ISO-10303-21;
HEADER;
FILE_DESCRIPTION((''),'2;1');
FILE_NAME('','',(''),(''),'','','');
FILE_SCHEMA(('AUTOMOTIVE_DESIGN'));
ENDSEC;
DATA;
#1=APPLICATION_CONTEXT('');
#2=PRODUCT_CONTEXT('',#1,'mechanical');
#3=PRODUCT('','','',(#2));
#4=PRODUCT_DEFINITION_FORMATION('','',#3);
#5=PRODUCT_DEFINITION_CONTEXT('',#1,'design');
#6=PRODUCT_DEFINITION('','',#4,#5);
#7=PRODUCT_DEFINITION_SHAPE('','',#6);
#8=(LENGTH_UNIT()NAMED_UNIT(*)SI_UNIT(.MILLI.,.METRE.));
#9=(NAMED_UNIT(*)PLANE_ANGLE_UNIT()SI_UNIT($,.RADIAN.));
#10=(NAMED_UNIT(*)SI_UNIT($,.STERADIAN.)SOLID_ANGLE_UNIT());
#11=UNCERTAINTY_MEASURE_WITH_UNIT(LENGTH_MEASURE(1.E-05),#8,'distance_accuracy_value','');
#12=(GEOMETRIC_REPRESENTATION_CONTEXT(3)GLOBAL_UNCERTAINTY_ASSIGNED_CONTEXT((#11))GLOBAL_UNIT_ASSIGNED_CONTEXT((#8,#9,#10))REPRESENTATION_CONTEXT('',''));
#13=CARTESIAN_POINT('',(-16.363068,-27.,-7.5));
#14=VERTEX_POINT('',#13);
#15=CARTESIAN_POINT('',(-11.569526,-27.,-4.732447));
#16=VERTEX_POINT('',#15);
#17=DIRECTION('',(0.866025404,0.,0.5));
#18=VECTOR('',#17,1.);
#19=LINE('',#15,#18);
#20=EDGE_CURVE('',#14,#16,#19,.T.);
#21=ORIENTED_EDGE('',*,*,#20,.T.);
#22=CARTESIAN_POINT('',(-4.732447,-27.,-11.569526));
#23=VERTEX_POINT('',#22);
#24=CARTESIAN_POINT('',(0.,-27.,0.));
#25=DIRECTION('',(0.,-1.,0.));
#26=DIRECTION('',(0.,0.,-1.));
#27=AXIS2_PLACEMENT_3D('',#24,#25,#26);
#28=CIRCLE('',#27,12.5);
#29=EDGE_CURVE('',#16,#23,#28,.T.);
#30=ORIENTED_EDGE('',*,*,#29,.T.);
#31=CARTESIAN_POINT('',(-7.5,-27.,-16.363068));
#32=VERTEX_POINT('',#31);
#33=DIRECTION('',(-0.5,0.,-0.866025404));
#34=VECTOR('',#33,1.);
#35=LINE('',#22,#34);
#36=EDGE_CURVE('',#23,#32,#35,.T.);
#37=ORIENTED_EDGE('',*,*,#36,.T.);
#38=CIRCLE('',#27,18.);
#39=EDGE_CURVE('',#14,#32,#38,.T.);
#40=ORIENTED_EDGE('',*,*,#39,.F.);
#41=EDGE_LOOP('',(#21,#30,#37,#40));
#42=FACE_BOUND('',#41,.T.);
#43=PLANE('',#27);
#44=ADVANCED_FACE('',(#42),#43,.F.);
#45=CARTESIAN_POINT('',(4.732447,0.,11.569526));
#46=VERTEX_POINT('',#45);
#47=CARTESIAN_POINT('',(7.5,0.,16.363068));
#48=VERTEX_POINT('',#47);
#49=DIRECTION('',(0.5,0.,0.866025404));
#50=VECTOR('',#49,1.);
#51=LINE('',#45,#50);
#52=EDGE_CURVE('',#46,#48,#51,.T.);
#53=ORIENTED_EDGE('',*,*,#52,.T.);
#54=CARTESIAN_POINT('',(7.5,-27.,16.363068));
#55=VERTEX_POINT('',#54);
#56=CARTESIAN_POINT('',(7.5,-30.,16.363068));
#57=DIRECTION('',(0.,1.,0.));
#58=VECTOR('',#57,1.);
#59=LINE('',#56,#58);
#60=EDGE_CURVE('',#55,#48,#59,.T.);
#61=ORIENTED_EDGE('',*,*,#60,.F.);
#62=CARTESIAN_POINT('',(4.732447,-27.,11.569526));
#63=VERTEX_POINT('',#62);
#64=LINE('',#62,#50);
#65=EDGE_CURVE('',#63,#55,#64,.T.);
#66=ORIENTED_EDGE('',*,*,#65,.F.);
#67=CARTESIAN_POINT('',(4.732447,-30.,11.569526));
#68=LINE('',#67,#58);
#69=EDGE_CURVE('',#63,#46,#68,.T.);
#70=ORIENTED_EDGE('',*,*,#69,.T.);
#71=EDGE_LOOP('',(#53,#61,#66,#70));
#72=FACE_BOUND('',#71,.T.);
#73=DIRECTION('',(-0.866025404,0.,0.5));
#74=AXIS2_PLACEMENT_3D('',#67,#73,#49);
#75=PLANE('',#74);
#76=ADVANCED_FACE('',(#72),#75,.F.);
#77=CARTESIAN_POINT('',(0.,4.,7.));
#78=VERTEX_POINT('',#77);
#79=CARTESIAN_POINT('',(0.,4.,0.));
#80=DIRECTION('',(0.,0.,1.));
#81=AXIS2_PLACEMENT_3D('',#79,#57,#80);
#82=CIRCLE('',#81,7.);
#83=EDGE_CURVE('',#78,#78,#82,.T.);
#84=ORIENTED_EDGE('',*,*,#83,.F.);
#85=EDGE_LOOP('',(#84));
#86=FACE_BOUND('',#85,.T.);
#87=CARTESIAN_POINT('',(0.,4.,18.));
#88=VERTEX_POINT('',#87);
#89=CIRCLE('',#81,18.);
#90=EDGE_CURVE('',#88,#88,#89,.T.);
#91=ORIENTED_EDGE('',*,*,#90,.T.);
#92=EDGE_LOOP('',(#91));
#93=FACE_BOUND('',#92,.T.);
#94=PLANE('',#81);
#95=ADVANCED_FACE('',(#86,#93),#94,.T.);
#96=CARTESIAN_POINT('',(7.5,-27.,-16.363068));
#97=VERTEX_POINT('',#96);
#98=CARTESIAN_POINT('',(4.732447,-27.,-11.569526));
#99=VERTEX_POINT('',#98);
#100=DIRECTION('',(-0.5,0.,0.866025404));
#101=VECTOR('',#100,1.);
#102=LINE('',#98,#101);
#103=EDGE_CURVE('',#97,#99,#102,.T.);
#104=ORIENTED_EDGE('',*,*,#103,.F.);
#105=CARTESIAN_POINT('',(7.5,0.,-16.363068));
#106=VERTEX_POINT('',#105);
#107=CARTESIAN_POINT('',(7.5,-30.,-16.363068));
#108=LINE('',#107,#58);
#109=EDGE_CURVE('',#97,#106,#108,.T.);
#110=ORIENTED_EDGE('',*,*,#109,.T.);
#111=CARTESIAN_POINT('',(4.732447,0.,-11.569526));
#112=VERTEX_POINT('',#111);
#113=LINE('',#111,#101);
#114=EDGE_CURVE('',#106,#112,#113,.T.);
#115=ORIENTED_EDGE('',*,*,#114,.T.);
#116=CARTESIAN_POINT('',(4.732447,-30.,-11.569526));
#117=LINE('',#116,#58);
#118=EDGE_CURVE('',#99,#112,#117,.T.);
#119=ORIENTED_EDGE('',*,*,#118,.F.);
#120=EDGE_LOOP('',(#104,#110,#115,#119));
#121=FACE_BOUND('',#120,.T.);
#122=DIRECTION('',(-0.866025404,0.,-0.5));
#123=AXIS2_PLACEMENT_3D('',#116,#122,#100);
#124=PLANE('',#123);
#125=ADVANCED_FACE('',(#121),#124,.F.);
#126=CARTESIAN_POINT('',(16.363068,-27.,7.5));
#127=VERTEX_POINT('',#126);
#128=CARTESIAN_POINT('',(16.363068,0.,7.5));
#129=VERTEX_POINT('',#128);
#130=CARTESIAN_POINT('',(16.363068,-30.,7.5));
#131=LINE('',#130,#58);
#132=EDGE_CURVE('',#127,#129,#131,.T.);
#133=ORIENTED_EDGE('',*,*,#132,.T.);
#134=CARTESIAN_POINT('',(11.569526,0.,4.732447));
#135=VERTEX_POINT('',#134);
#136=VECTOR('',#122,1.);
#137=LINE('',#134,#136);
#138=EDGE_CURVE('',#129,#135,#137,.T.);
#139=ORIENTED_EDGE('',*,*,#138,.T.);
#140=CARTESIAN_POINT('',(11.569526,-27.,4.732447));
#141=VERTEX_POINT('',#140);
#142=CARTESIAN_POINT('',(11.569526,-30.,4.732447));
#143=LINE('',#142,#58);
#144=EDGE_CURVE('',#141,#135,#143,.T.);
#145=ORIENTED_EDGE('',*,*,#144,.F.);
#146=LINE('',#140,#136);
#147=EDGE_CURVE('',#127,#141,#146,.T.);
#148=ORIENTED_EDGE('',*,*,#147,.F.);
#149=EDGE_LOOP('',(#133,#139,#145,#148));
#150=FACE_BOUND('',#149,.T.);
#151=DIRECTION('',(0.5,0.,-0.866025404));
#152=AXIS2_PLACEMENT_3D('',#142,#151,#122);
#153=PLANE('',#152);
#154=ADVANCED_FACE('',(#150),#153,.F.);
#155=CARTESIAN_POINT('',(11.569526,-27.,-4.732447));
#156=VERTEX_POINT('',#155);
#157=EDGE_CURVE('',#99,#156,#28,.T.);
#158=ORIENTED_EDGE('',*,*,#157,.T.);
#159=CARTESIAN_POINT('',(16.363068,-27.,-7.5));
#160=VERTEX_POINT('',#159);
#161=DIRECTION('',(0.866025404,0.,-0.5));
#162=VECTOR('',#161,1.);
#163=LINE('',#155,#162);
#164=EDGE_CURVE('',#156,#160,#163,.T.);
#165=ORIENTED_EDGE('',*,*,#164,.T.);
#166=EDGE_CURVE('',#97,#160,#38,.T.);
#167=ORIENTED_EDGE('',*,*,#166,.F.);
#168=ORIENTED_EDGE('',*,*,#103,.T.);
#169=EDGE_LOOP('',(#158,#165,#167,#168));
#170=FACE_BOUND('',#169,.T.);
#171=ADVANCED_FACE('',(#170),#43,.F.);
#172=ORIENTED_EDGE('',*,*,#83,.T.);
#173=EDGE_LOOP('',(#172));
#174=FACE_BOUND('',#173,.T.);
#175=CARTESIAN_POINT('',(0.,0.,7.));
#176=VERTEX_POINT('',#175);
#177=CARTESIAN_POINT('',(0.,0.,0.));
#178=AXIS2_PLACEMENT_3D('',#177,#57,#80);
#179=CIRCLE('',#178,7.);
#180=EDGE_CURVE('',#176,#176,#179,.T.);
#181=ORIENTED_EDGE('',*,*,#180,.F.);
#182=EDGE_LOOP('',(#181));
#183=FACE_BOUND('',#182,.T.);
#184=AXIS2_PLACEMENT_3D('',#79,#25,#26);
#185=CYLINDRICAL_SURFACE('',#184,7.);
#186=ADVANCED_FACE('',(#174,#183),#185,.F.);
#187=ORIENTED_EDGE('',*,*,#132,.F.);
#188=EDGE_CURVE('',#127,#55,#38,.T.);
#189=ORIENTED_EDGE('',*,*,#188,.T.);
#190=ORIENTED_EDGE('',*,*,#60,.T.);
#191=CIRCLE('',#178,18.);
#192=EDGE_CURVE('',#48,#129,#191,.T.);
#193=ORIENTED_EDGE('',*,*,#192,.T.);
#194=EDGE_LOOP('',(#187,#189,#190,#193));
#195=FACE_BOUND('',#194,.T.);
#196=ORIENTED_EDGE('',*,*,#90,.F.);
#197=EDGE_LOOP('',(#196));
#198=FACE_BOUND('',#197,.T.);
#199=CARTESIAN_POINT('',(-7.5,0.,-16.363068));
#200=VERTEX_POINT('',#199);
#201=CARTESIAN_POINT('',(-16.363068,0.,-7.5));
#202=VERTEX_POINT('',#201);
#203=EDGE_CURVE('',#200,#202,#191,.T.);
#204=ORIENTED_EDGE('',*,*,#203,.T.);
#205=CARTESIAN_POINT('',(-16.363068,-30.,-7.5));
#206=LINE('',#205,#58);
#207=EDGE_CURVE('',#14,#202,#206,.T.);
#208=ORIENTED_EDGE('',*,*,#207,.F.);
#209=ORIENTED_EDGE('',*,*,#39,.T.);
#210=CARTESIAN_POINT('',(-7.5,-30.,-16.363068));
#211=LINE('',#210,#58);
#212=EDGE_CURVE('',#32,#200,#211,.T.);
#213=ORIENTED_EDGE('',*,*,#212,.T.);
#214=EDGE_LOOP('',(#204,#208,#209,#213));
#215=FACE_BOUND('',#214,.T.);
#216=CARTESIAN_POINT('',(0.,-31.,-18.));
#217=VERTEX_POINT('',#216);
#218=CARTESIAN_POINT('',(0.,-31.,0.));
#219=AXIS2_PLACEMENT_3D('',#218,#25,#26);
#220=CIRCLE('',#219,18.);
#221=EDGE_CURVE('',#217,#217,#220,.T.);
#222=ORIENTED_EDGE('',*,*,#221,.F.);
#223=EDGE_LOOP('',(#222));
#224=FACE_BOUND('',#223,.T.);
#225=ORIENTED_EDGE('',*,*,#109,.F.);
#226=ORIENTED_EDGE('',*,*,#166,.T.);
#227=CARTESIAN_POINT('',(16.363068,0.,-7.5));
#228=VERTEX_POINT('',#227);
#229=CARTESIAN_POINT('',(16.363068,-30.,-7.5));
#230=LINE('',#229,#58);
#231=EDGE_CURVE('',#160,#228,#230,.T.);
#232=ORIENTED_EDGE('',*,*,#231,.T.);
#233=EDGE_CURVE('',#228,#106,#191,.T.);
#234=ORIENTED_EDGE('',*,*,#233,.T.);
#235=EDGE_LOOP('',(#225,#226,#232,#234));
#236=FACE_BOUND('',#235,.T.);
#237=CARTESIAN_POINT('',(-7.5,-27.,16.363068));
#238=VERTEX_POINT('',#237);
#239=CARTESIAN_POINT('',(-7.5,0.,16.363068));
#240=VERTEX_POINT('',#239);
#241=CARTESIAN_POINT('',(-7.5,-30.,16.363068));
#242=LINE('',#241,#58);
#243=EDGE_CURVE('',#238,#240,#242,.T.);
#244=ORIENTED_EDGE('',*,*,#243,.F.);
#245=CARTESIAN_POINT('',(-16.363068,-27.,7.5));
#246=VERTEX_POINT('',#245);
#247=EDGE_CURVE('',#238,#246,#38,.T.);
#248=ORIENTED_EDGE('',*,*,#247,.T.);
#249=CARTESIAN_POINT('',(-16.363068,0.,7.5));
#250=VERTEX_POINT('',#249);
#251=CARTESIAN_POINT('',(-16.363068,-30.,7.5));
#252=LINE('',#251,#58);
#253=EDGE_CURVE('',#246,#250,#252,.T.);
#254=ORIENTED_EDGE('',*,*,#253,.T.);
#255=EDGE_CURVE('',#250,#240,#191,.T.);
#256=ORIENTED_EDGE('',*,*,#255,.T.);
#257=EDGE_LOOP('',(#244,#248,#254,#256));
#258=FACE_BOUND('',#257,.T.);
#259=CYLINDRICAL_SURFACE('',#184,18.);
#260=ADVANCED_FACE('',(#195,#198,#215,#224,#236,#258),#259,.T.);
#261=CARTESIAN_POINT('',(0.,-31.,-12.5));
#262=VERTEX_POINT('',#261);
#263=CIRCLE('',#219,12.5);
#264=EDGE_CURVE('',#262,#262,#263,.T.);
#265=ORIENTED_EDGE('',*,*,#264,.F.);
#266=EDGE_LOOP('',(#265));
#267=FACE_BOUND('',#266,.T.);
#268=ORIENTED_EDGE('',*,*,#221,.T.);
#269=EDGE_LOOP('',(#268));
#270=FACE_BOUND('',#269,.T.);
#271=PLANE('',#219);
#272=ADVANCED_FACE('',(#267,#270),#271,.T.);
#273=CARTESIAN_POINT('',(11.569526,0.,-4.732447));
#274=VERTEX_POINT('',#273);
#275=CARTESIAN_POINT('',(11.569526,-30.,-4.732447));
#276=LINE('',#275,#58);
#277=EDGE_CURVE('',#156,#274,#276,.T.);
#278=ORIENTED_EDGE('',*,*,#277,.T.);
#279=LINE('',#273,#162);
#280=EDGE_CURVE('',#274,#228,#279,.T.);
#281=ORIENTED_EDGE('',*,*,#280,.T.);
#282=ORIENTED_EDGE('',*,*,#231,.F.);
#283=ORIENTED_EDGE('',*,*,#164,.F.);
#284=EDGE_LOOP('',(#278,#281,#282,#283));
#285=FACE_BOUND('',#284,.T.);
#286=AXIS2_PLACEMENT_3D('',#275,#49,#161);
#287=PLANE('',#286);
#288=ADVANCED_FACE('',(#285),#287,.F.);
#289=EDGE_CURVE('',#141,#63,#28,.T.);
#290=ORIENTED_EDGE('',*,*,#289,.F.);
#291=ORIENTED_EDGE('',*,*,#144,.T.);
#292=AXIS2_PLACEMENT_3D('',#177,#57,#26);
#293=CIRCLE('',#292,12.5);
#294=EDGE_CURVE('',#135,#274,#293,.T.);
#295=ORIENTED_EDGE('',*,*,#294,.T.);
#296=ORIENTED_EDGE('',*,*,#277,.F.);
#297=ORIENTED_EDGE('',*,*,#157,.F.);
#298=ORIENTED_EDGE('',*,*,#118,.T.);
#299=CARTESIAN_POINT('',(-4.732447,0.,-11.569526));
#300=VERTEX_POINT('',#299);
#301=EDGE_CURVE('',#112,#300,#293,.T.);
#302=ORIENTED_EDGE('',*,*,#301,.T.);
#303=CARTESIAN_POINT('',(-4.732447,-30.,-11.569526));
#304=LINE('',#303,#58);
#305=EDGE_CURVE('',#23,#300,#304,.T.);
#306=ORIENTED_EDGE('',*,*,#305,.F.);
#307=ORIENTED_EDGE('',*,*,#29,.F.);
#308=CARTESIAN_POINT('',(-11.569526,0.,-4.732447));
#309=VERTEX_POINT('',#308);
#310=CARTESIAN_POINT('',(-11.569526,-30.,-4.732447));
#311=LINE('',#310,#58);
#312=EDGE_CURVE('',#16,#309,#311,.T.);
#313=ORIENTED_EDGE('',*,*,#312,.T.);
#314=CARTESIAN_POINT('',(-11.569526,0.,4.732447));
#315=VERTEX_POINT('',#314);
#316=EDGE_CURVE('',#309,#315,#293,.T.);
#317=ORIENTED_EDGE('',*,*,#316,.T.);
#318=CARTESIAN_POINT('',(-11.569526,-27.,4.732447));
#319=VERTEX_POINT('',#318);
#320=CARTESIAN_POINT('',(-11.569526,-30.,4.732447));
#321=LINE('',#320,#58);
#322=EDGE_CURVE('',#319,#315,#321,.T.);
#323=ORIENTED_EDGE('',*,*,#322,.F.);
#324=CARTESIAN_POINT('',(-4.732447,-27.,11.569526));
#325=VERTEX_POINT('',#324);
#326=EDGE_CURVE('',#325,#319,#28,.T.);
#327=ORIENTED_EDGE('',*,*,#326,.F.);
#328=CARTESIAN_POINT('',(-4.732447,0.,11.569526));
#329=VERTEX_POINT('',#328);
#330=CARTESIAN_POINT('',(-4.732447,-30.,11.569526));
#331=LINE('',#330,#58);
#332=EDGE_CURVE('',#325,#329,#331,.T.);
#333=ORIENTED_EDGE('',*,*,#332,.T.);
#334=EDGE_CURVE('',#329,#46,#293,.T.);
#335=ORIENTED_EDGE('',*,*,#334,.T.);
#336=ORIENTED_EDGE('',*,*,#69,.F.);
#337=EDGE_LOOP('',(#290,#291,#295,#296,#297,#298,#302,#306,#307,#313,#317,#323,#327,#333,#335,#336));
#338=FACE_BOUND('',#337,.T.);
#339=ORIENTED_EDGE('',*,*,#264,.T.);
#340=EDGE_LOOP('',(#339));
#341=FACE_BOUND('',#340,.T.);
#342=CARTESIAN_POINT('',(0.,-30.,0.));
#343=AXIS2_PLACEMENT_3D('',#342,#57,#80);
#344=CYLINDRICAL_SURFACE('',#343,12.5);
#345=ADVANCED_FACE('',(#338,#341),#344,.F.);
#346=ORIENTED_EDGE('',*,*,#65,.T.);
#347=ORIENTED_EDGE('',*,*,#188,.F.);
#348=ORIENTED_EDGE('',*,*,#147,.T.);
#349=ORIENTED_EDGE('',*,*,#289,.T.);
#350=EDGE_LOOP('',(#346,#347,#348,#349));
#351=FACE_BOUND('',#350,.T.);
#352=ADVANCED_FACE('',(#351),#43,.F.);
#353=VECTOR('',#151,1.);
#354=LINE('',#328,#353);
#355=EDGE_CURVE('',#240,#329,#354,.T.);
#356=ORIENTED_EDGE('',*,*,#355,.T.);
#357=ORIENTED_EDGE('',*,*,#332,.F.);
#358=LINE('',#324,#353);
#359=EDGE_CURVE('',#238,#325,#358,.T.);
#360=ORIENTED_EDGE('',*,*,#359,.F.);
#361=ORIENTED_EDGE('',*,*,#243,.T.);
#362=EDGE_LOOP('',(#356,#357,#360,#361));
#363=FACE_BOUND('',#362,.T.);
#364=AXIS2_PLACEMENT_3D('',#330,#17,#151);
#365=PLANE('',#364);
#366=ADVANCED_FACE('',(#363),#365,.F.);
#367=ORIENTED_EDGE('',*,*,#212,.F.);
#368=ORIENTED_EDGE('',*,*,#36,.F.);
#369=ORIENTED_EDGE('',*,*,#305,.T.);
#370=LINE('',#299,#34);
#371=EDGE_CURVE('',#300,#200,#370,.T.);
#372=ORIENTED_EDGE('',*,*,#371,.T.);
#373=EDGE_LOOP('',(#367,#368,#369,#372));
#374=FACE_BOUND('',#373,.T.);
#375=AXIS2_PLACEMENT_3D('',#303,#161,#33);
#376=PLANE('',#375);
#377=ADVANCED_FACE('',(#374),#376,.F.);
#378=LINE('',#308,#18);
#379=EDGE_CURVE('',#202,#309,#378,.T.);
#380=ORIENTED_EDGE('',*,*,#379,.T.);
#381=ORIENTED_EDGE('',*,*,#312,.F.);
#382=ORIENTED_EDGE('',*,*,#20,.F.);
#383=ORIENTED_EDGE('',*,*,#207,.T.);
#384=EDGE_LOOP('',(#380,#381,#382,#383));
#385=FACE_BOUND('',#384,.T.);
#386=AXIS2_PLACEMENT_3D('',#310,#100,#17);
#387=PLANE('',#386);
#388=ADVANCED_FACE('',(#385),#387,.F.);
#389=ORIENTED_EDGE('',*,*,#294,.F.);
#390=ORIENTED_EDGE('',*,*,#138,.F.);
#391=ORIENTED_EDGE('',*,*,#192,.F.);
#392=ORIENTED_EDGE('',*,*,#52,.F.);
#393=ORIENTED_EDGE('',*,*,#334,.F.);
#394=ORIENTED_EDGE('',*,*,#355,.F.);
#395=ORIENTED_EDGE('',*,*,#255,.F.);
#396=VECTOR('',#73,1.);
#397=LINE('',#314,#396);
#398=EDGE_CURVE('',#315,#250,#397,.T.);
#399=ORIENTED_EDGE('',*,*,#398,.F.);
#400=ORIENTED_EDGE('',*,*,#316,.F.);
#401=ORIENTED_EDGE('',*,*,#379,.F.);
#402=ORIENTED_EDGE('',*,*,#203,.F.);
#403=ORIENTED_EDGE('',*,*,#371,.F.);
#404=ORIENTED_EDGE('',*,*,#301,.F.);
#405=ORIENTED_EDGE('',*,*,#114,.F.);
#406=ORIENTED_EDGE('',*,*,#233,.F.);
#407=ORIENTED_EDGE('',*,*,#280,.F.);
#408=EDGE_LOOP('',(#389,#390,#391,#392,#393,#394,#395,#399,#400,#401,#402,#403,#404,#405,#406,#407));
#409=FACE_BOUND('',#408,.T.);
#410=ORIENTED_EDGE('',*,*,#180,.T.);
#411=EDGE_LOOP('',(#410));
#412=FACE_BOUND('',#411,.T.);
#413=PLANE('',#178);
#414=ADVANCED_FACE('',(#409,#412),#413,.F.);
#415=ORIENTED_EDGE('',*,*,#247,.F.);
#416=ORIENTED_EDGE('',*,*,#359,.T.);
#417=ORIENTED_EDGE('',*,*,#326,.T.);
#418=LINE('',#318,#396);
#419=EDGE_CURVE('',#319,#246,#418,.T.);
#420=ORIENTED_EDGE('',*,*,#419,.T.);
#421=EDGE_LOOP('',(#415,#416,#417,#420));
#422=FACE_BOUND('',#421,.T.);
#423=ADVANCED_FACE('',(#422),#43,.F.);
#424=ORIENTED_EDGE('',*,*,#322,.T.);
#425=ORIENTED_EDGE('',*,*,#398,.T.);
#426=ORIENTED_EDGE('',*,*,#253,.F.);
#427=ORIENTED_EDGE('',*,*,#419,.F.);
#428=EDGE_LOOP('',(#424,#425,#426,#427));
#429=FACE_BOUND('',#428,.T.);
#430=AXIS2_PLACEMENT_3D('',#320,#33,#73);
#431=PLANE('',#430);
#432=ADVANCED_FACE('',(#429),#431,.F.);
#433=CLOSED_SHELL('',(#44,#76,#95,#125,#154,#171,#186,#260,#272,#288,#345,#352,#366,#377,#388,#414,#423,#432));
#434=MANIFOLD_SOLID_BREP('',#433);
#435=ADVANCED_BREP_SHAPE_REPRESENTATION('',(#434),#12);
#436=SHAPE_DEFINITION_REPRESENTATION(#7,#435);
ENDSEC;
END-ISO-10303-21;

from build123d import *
from build123d.topology import SkipClean

# Parameters (mm, degrees)
SKETCH1_R                = 18
SKETCH1_R_2              = 7
BOSS_EXTRUDE1_DEPTH      = 4
BOSS_EXTRUDE2_START      = 30
BOSS_EXTRUDE2_DEPTH      = 30
BOSS_EXTRUDE3_DEPTH      = 1
BOSS_EXTRUDE3_DEPTH_BACK = 3
SKETCH3_R                = 18
SKETCH3_R_2              = 12.5


with BuildPart() as part:
    # Sketch1 → Boss-Extrude1 (new body)
    with BuildSketch(Plane(origin=(0, 0, 0), x_dir=(1, 0, 0), z_dir=(0, 1, 0))):
        Circle(SKETCH1_R)
        Circle(SKETCH1_R_2, mode=Mode.SUBTRACT)
    extrude(amount=BOSS_EXTRUDE1_DEPTH)

    # Sketch2 → Boss-Extrude2 (add)
    with SkipClean():  # the faces are left unmerged after this step: merging them gives an invalid solid
        with BuildSketch(Plane.XZ.offset(BOSS_EXTRUDE2_START)):
            with BuildLine():
                Line((4.732447384, 11.569526428), (7.5, 16.363068172))
                ThreePointArc((7.5, 16.363068172), (0, 18), (-7.5, 16.363068172))
                Line((-7.5, 16.363068172), (-4.732447384, 11.569526428))
                ThreePointArc((-4.732447384, 11.569526428), (0, 12.5), (4.732447384, 11.569526428))
            make_face()
            with BuildLine():
                Line((11.569526428, -4.732447384), (16.363068172, -7.5))
                ThreePointArc((16.363068172, -7.5), (18, 0), (16.363068172, 7.5))
                Line((16.363068172, 7.5), (11.569526428, 4.732447384))
                ThreePointArc((11.569526428, 4.732447384), (12.5, 0), (11.569526428, -4.732447384))
            make_face()
            with BuildLine():
                Line((-4.732447384, -11.569526428), (-7.5, -16.363068172))
                ThreePointArc((-7.5, -16.363068172), (0, -18), (7.5, -16.363068172))
                Line((7.5, -16.363068172), (4.732447384, -11.569526428))
                ThreePointArc((4.732447384, -11.569526428), (0, -12.5), (-4.732447384, -11.569526428))
            make_face()
            with BuildLine():
                Line((-11.569526428, 4.732447384), (-16.363068172, 7.5))
                ThreePointArc((-16.363068172, 7.5), (-18, 0), (-16.363068172, -7.5))
                Line((-16.363068172, -7.5), (-11.569526428, -4.732447384))
                ThreePointArc((-11.569526428, -4.732447384), (-12.5, 0), (-11.569526428, 4.732447384))
            make_face()
        extrude(amount=-BOSS_EXTRUDE2_DEPTH)

    # Sketch3 → Boss-Extrude3 (add, two sides: drawn at the far end of the back side and taken through both)
    with SkipClean():  # the faces are left unmerged after this step: merging them gives an invalid solid
        with BuildSketch(Plane.XZ.offset(30).offset(-BOSS_EXTRUDE3_DEPTH_BACK)):
            Circle(SKETCH3_R)
            Circle(SKETCH3_R_2, mode=Mode.SUBTRACT)
        extrude(amount=BOSS_EXTRUDE3_DEPTH + BOSS_EXTRUDE3_DEPTH_BACK)


solid = part.part
